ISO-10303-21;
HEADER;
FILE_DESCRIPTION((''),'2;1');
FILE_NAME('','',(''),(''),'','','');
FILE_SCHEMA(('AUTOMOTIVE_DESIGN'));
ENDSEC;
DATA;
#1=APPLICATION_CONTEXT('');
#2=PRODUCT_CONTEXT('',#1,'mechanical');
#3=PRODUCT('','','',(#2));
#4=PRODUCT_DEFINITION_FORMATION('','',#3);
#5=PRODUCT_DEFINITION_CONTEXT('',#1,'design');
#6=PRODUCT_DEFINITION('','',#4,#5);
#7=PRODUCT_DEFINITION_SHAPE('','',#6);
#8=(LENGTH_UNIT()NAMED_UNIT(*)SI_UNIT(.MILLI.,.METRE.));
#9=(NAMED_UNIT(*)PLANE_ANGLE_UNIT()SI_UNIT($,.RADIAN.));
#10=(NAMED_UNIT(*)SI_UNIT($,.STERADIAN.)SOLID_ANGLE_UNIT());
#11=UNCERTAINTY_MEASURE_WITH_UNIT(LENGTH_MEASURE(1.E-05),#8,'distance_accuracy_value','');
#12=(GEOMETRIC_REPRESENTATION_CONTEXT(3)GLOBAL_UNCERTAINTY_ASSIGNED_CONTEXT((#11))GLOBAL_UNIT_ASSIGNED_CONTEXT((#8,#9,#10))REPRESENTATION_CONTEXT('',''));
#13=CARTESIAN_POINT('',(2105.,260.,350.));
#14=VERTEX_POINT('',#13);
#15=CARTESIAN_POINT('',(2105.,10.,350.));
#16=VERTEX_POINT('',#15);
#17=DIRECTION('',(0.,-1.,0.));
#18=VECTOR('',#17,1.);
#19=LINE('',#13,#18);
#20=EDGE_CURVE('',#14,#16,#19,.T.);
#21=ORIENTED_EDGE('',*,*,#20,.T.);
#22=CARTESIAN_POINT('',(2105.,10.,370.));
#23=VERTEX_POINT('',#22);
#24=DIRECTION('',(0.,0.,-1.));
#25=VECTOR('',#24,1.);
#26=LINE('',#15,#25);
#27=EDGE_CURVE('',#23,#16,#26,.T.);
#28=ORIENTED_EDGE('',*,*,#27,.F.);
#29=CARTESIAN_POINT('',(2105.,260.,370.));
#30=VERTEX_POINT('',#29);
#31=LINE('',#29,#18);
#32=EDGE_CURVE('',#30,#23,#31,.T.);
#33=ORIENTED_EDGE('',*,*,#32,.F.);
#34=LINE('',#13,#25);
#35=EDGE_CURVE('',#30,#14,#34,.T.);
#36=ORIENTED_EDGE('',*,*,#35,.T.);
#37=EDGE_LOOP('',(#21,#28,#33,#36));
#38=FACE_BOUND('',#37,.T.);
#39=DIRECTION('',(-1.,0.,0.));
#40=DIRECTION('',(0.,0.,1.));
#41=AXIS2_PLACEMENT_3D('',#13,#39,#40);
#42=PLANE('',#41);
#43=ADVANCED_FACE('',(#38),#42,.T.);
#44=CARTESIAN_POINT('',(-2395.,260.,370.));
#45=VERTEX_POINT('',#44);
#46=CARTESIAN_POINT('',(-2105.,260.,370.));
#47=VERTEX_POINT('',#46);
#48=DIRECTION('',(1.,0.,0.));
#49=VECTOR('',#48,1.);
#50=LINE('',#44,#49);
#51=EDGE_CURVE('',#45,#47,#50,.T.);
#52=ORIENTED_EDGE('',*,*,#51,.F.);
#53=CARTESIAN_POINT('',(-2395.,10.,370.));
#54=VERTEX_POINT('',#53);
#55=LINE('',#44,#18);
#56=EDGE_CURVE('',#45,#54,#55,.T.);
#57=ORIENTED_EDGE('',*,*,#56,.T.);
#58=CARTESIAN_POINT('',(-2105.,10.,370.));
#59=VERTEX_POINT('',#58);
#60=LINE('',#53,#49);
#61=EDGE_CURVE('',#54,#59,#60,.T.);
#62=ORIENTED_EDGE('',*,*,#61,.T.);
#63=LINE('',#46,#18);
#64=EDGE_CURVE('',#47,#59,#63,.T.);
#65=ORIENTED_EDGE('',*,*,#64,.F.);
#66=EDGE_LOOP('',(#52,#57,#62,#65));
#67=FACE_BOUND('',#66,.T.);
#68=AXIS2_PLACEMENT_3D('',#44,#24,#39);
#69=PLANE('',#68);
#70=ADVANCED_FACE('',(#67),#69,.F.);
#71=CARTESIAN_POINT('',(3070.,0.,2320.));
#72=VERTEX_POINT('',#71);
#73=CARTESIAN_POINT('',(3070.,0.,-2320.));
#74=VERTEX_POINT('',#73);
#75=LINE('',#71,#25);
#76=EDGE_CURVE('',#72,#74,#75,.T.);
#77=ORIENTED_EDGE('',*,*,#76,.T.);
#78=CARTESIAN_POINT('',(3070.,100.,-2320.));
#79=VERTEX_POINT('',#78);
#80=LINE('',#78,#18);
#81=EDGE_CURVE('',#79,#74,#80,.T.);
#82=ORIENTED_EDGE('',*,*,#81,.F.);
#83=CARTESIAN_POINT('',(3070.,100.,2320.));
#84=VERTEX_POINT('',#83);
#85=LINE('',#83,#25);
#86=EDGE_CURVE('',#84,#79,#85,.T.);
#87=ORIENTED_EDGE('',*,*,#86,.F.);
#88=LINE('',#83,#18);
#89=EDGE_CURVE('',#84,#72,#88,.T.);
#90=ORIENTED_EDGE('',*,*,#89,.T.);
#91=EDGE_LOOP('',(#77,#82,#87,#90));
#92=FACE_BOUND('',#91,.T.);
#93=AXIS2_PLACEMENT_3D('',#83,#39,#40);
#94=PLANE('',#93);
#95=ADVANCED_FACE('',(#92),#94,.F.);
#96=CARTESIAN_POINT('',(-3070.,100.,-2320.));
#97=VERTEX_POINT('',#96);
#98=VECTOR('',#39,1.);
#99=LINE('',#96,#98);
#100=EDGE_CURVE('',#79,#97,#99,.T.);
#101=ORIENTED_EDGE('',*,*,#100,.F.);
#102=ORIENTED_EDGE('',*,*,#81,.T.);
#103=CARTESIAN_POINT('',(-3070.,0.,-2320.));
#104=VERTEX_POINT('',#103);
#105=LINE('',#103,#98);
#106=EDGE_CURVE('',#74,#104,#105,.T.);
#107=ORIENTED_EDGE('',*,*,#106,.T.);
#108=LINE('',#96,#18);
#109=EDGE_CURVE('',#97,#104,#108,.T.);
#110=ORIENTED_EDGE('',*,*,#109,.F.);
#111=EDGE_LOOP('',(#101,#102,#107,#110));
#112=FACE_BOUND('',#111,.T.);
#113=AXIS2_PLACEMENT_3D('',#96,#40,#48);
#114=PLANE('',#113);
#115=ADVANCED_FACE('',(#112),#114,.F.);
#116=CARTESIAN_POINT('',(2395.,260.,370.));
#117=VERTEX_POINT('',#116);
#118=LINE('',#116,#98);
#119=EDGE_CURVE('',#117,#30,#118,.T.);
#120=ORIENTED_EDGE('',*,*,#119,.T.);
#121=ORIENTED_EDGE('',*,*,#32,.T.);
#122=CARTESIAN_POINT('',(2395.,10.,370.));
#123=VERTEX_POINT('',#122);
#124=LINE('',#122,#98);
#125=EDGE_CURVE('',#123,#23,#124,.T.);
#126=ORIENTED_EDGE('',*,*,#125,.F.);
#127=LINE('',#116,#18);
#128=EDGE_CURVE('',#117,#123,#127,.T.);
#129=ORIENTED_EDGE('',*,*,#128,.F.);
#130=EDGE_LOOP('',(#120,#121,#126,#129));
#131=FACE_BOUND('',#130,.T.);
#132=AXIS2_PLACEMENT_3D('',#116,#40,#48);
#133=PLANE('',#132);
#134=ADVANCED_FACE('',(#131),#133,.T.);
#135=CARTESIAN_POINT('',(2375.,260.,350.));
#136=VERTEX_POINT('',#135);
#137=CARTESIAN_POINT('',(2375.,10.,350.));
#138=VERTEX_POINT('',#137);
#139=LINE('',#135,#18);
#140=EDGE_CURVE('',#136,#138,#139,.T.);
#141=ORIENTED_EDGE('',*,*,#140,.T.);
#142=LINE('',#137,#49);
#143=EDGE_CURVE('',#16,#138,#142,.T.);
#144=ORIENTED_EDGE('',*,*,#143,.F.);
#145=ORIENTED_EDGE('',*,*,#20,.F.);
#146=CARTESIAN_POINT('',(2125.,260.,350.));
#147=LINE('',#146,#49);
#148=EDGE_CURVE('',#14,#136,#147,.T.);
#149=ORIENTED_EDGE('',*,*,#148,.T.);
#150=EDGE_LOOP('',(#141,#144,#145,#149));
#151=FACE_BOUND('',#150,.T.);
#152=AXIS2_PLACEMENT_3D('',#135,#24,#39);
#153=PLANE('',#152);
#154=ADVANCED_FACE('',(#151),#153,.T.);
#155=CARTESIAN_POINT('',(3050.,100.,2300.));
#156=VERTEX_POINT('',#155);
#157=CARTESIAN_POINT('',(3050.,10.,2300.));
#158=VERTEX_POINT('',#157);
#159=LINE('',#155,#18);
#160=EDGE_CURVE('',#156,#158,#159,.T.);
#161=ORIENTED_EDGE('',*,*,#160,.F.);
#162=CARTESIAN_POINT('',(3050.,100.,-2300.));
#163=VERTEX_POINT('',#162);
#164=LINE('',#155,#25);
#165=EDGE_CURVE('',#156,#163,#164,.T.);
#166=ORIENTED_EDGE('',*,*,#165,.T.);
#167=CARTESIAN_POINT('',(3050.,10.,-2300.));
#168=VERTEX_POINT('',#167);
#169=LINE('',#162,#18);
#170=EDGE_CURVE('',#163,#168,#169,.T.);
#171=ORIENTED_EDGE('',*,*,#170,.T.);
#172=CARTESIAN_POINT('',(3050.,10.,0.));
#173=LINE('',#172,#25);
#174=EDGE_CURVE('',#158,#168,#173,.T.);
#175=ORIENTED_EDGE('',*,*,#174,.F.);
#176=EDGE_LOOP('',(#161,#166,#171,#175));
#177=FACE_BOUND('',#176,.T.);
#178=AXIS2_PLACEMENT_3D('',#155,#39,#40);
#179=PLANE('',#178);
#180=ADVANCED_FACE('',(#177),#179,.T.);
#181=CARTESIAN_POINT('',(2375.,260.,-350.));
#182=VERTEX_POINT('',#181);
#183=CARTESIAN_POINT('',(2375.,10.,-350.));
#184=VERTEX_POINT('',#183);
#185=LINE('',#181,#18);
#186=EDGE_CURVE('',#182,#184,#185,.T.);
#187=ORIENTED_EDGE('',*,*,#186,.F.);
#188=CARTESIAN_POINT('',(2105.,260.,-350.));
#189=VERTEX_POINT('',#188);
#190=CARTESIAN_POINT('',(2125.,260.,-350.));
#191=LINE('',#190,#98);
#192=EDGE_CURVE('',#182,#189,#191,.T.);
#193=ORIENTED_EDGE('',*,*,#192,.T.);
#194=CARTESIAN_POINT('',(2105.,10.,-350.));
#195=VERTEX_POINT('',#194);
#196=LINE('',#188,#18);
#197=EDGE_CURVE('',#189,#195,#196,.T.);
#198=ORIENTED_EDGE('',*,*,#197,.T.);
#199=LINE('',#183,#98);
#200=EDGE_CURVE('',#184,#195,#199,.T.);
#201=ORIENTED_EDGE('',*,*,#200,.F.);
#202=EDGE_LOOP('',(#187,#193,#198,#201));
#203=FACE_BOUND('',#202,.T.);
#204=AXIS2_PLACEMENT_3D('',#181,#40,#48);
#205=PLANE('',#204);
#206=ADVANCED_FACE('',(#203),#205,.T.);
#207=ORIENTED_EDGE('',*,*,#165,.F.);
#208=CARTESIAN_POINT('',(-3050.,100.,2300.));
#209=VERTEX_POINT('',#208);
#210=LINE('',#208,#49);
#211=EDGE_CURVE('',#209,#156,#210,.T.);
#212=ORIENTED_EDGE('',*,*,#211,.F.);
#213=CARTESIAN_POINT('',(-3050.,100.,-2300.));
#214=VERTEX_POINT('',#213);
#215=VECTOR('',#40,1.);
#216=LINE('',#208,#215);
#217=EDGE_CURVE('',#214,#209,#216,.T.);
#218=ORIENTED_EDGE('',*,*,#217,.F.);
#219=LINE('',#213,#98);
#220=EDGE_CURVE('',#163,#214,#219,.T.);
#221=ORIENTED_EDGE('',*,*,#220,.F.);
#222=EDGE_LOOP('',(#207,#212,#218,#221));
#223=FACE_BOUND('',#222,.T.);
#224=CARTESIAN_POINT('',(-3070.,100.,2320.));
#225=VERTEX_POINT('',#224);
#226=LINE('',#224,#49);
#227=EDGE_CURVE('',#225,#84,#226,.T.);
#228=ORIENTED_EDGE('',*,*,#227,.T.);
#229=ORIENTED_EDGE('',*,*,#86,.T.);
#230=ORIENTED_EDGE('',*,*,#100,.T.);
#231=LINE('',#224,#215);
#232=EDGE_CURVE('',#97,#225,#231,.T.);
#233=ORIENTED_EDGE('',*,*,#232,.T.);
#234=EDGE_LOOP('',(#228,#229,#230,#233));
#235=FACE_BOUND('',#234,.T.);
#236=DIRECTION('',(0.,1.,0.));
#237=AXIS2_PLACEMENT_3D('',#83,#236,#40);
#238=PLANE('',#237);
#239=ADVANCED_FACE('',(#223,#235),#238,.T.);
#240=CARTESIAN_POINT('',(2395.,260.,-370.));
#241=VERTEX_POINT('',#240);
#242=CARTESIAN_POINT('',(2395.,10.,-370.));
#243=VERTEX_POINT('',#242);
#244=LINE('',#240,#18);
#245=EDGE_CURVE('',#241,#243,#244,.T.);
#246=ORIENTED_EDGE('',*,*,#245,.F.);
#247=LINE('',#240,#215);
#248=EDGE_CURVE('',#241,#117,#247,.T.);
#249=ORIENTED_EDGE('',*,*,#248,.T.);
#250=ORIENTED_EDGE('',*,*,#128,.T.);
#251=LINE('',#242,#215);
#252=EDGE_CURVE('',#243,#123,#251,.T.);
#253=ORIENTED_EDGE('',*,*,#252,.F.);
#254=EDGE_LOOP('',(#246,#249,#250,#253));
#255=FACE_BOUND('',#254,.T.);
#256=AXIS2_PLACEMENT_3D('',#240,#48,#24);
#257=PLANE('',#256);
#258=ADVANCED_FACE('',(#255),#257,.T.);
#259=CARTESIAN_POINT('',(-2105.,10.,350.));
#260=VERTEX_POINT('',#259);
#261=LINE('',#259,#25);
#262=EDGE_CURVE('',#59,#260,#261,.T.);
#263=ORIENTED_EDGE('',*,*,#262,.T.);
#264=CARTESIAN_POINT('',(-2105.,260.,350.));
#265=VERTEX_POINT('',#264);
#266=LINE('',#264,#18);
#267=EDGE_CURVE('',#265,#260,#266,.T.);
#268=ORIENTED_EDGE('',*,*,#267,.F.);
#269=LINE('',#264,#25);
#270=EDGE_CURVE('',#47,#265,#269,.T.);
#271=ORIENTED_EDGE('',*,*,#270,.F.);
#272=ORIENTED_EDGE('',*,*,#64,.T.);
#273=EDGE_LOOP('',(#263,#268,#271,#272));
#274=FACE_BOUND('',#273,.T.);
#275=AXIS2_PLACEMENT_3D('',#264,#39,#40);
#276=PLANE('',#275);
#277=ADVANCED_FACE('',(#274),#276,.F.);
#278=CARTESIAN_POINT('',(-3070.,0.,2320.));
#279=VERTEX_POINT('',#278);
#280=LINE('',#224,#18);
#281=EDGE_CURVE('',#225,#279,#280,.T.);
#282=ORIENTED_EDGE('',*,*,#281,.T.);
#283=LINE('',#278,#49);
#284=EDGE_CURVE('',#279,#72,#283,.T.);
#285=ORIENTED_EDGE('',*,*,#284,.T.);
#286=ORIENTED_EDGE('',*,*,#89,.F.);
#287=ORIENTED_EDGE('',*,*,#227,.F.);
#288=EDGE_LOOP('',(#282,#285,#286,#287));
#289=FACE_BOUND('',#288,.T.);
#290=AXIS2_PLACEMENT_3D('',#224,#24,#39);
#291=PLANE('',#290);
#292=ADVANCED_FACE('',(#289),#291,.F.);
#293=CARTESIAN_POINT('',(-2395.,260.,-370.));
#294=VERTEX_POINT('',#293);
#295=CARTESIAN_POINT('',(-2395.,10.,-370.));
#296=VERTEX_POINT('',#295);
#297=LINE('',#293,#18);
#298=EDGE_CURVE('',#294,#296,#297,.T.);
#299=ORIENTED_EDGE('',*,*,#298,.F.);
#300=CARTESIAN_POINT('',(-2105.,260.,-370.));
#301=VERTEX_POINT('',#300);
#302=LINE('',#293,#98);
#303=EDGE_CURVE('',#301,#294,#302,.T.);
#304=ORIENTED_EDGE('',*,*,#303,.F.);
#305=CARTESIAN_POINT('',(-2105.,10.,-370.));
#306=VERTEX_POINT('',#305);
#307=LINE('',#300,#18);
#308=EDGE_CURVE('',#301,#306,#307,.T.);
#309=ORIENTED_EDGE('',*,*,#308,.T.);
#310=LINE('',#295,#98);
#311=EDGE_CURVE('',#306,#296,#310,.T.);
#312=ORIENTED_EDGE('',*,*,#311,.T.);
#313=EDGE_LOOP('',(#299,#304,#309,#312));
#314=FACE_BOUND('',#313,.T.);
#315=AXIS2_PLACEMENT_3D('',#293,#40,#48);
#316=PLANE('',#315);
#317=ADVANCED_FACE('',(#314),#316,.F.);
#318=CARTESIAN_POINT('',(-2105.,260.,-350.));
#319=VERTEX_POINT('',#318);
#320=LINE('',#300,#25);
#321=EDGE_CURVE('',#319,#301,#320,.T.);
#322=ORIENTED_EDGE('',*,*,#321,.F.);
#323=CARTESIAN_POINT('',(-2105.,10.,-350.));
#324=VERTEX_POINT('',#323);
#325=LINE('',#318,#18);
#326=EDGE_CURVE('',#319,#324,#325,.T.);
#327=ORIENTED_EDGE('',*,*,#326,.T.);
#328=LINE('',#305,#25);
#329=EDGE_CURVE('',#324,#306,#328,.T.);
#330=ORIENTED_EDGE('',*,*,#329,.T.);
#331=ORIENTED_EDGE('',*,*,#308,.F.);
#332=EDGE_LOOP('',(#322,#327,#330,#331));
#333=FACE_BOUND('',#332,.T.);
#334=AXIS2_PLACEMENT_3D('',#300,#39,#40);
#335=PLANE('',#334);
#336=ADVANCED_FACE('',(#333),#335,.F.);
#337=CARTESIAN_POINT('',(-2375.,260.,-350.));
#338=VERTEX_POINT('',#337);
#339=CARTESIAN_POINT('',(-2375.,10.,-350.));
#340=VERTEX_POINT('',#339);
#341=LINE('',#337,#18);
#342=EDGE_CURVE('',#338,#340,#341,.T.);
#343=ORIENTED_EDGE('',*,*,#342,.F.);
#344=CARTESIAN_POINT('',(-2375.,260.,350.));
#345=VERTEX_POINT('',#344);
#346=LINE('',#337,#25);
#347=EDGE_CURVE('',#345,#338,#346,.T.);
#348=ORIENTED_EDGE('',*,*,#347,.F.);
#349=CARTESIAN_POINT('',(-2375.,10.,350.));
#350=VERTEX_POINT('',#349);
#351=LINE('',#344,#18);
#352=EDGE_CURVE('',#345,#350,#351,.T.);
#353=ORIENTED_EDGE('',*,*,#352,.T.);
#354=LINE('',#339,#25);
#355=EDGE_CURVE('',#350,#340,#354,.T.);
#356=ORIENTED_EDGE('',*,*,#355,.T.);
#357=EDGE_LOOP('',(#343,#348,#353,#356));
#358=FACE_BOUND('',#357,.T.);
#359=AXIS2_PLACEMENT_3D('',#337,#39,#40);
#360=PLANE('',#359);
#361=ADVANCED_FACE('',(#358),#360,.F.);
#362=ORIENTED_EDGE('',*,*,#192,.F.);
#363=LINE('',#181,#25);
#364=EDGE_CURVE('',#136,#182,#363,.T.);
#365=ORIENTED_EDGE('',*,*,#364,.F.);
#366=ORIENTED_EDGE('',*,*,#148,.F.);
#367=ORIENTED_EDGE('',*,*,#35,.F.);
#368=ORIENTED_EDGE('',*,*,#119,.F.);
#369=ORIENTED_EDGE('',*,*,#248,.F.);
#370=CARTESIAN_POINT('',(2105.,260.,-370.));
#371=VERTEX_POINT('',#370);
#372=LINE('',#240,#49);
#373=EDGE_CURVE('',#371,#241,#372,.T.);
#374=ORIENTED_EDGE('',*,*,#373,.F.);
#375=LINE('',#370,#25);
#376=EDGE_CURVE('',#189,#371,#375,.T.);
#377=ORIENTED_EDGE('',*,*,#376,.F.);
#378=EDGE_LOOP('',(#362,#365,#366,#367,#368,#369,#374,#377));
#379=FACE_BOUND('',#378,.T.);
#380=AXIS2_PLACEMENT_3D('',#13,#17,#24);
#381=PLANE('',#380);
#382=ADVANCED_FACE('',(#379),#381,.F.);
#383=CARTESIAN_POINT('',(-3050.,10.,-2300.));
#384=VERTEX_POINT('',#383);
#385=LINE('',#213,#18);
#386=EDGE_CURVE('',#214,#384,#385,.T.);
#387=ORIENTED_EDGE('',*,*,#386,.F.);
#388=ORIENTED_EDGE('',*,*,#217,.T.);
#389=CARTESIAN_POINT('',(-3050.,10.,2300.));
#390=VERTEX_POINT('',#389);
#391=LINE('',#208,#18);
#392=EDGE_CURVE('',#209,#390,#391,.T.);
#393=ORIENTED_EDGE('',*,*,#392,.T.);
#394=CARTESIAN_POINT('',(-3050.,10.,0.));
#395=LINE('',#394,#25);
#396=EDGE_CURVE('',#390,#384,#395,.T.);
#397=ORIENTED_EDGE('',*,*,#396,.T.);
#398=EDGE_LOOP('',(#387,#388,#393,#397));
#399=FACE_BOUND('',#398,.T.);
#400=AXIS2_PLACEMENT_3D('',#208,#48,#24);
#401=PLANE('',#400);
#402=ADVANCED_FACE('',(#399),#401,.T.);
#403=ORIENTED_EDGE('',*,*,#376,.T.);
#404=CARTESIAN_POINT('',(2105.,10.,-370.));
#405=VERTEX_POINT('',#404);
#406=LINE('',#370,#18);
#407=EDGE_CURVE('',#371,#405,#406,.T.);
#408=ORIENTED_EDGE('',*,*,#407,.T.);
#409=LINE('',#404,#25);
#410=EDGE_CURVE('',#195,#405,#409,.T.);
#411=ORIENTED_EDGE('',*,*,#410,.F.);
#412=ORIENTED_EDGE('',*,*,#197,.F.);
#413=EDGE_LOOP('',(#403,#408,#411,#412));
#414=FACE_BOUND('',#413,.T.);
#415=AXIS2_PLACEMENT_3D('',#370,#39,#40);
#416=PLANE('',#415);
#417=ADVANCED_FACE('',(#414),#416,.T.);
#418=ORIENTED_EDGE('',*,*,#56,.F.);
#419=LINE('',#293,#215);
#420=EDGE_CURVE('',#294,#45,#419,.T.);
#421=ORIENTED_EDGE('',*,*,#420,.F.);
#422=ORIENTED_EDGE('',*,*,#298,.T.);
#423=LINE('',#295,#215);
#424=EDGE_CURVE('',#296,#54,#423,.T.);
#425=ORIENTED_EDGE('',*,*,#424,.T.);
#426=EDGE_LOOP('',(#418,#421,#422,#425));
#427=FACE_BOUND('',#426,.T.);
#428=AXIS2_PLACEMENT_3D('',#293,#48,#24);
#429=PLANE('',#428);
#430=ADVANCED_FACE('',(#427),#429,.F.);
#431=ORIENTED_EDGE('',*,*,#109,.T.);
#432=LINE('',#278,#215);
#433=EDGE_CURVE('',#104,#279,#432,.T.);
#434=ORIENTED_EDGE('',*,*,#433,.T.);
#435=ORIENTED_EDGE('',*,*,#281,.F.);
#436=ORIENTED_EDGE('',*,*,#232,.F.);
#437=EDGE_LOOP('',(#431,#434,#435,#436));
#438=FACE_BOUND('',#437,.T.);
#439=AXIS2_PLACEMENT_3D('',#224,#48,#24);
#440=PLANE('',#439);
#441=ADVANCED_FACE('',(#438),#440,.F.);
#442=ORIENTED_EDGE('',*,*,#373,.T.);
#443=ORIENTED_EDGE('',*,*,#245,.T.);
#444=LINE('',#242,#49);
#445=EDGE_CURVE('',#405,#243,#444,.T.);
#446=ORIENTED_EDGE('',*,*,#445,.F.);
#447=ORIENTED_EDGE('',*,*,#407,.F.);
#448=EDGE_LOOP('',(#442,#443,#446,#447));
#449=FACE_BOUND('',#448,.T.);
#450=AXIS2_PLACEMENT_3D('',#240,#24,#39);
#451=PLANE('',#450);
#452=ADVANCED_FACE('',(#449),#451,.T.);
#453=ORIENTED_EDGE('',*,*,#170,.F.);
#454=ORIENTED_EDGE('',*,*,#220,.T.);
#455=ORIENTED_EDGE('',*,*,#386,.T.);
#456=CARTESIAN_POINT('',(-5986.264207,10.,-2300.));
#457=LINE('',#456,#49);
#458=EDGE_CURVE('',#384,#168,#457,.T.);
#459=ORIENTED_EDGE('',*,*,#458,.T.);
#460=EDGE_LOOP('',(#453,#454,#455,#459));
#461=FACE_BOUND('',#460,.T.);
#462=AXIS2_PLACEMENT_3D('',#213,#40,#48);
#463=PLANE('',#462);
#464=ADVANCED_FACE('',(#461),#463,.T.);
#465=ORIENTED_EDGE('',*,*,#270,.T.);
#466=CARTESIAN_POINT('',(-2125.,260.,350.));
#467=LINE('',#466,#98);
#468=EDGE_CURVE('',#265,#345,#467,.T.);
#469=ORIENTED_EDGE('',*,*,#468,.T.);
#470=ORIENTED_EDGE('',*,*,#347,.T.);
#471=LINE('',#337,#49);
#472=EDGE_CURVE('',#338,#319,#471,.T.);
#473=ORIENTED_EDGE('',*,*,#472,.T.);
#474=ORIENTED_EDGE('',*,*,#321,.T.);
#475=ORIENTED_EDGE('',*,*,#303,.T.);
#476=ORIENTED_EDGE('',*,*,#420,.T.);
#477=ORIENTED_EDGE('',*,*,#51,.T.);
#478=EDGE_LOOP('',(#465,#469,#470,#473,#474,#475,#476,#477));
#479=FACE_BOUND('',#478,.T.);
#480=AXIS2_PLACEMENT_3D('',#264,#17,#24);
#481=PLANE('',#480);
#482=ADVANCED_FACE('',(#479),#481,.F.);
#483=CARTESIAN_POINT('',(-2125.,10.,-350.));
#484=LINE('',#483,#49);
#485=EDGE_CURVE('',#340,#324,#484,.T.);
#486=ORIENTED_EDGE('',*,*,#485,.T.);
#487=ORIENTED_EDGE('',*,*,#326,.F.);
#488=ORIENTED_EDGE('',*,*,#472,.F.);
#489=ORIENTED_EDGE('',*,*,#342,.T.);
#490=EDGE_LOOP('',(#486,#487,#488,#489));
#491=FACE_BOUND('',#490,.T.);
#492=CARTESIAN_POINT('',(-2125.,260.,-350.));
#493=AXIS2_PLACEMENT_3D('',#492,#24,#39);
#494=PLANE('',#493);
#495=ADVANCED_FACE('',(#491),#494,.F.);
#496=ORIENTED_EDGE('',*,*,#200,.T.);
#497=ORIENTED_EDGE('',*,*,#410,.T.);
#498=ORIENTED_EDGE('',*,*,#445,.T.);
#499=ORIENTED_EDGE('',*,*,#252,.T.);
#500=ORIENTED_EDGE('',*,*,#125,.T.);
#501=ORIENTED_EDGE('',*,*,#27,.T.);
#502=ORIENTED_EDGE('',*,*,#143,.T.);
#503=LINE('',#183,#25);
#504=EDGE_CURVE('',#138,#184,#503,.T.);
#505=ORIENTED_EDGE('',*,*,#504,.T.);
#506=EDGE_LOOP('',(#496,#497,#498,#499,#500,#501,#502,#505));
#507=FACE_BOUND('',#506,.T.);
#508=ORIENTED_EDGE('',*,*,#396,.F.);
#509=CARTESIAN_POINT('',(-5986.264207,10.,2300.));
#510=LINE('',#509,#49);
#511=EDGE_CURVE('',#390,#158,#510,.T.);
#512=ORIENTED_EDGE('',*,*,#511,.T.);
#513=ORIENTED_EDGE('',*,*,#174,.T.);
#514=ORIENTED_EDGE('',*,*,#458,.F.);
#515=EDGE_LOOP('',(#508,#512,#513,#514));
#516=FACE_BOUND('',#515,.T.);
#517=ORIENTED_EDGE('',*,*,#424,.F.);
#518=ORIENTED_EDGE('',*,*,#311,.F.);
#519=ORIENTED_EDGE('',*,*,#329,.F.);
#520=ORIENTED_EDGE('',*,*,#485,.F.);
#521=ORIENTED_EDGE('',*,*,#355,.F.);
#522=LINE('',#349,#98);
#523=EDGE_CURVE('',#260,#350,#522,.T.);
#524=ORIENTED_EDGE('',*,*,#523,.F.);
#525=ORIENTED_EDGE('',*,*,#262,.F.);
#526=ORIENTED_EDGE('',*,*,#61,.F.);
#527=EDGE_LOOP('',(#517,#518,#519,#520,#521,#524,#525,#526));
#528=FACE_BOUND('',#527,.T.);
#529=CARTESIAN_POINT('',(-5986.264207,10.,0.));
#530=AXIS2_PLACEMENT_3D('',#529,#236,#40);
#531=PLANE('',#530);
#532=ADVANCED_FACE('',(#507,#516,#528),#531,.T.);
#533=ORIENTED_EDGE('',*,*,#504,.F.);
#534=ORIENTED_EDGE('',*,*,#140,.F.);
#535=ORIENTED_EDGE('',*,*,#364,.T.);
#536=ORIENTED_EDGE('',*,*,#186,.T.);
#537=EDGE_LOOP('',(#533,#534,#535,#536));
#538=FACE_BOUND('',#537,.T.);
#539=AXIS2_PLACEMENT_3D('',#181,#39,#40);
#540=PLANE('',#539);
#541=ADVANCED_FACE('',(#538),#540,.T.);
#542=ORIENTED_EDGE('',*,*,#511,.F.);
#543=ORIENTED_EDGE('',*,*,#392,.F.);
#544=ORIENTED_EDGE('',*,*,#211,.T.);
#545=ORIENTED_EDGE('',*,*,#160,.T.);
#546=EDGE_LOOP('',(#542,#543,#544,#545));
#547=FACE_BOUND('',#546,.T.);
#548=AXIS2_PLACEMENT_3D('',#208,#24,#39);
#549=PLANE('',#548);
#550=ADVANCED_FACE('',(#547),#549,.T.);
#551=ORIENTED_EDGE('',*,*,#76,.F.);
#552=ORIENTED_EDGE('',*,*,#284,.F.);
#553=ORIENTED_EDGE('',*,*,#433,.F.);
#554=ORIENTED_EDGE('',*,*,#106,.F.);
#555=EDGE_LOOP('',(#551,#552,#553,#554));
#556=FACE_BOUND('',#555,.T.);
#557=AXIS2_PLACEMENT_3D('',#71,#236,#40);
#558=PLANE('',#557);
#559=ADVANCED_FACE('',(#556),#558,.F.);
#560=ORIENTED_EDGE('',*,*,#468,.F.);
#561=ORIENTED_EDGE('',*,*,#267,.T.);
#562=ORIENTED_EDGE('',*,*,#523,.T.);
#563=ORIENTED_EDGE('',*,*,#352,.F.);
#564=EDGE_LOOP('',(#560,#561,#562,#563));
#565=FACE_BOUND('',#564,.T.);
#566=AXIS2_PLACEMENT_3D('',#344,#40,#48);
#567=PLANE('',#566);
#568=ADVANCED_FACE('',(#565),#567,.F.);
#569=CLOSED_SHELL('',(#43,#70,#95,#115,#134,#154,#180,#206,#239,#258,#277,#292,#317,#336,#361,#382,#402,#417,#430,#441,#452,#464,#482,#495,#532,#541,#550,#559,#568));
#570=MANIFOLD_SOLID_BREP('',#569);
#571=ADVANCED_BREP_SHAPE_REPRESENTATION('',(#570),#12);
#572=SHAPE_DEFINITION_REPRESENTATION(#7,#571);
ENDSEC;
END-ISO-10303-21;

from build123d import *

# Parameters (mm, degrees)
SKETCH1_W           = 6140
SKETCH1_H           = 4640
SKETCH1_W_2         = 6100
SKETCH1_H_2         = 4600
BOSS_EXTRUDE1_DEPTH = 100
SKETCH1_2_W         = 6100
SKETCH1_2_H         = 4600
BOSS_EXTRUDE2_DEPTH = 10
BOSS_EXTRUDE3_DEPTH = 250


with BuildPart() as part:
    # Sketch1 → Boss-Extrude1 (new body)
    with BuildSketch(Plane(origin=(0, 0, 0), x_dir=(1, 0, 0), z_dir=(0, 1, 0))):
        Rectangle(SKETCH1_W, SKETCH1_H)
        Rectangle(SKETCH1_W_2, SKETCH1_H_2, mode=Mode.SUBTRACT)
    extrude(amount=BOSS_EXTRUDE1_DEPTH)

    # Sketch1<2> → Boss-Extrude2 (add)
    with BuildSketch(Plane(origin=(0, 0, 0), x_dir=(1, 0, 0), z_dir=(0, 1, 0))):
        Rectangle(SKETCH1_2_W, SKETCH1_2_H)
    extrude(amount=BOSS_EXTRUDE2_DEPTH)

    # Sketch2 → Boss-Extrude3 (add)
    with BuildSketch(Plane(origin=(0, 10, 0), x_dir=(1, 0, 0), z_dir=(0, 1, 0))):
        Polygon((-2395, 370), (-2105, 370), (-2105, 350), (-2125, 350), (-2375, 350), (-2375, -350), (-2125, -350), (-2105, -350), (-2105, -370), (-2395, -370), align=None)
    boss_extrude3 = extrude(amount=BOSS_EXTRUDE3_DEPTH)

    # Mirror1: Boss-Extrude3 across plane
    add(boss_extrude3.mirror(Plane(origin=(0, 0, 0), x_dir=(0, 0, 1), z_dir=(1, 0, 0))))


solid = part.part
